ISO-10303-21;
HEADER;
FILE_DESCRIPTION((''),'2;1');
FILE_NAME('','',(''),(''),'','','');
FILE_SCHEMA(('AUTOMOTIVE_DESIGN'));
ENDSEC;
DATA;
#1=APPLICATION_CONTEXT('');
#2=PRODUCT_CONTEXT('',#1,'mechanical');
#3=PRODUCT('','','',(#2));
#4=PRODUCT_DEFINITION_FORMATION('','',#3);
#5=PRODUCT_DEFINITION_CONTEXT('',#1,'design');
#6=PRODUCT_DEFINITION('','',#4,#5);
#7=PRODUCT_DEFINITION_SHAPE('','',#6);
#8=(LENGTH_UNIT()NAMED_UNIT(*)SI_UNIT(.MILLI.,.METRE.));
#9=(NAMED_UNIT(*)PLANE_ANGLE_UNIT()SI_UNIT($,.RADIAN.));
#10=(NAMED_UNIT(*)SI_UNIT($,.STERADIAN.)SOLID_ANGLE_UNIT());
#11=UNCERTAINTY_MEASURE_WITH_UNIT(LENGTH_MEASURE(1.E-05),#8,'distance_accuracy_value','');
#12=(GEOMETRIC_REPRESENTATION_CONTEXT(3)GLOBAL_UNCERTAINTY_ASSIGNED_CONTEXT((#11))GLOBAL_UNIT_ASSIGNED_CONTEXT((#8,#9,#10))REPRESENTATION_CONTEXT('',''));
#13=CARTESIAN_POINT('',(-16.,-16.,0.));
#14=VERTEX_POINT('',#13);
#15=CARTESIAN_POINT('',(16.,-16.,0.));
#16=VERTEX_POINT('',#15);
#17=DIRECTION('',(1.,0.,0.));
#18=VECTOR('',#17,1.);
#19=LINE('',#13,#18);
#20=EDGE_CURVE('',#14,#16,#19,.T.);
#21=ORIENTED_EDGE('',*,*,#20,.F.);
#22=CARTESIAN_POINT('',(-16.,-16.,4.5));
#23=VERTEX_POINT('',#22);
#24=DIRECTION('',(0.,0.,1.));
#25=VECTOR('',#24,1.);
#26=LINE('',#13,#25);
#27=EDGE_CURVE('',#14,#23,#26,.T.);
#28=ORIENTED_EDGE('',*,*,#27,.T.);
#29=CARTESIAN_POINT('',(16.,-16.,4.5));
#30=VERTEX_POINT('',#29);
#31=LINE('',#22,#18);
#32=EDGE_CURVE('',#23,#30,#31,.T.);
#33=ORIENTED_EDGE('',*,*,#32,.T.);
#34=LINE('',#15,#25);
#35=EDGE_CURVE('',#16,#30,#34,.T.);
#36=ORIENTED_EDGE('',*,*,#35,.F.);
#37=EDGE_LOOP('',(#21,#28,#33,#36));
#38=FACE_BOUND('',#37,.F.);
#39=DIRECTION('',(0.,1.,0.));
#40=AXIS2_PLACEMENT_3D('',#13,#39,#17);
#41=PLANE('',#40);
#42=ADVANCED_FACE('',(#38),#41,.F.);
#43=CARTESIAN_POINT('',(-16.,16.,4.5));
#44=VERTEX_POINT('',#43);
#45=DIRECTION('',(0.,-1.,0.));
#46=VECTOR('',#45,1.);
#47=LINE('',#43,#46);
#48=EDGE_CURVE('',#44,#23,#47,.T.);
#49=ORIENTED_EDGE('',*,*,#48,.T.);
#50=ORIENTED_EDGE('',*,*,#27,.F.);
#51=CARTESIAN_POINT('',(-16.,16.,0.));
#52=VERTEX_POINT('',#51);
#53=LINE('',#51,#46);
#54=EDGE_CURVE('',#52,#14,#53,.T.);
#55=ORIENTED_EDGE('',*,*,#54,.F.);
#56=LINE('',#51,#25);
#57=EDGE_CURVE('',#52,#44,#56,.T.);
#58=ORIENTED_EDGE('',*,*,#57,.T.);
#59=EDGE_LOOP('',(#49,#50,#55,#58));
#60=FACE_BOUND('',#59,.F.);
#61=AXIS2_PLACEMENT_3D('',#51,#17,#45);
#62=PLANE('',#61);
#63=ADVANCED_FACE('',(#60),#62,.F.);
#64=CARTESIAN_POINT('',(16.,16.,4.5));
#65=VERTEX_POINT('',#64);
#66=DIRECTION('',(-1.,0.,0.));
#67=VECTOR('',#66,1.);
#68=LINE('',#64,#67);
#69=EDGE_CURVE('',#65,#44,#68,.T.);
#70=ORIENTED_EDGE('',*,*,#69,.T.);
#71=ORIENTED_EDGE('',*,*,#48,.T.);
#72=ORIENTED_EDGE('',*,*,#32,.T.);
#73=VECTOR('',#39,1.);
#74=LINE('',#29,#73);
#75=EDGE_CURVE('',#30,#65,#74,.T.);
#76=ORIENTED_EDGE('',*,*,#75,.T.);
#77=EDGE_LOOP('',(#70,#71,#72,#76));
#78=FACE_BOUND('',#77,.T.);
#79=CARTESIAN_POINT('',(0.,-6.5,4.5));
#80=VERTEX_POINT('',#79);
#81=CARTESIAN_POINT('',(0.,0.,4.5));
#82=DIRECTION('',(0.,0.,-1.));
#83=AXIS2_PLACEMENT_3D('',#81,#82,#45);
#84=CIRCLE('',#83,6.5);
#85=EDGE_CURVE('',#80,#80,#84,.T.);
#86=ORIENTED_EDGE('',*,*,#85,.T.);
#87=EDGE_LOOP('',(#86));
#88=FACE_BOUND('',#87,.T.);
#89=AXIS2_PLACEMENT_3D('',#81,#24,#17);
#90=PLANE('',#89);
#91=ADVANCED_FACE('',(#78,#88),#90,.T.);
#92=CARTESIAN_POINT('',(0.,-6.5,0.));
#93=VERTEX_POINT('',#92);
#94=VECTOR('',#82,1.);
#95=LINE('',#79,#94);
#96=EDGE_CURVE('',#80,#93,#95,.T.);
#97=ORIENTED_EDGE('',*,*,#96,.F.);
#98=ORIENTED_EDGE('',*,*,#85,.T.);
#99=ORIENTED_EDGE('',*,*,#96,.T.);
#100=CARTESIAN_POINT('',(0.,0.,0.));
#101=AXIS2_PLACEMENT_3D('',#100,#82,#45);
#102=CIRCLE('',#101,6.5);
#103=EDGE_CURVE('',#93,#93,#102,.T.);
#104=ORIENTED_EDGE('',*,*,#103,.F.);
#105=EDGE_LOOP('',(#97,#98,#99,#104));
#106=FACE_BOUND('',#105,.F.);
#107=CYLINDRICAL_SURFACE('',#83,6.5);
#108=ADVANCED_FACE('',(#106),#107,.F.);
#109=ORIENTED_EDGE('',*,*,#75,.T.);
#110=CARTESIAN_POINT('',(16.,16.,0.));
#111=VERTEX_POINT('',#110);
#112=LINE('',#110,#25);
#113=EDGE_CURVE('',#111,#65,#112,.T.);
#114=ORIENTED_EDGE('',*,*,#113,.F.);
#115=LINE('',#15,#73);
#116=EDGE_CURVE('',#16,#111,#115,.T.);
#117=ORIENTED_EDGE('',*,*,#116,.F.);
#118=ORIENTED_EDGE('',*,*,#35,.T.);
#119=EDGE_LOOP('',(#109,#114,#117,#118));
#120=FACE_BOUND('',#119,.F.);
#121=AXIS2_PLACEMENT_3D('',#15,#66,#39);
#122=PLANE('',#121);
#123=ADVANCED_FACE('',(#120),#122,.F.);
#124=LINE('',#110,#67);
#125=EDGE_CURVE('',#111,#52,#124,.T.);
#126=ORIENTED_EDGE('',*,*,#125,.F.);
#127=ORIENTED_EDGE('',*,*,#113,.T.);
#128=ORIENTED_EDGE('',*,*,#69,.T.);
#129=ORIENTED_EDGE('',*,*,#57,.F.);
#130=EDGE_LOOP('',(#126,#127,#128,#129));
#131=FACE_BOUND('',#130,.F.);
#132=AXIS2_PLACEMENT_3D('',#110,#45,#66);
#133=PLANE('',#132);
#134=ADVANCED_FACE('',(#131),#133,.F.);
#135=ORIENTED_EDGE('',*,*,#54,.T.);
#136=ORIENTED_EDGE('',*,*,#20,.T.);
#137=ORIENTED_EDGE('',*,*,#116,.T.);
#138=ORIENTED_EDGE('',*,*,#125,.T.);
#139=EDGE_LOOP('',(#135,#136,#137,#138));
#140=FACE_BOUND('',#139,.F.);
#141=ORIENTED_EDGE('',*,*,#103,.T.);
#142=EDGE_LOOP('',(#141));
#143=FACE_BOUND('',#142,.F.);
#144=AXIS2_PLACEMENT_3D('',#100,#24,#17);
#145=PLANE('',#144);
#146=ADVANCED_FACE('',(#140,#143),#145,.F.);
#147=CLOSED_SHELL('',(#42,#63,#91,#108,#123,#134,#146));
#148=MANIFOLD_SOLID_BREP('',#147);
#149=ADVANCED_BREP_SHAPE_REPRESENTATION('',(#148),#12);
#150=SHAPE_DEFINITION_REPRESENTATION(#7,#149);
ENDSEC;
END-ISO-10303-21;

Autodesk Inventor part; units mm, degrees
ref_plane "YZ Plane" through (0, 0, 0) normal (1, 0, 0) x (0, 1, 0)
ref_plane "XZ Plane" through (0, 0, 0) normal (0, 1, 0) x (-1, 0, 0)
ref_plane "XY Plane" through (0, 0, 0) normal (0, 0, 1) x (1, 0, 0)
sketch "スケッチ1" plane through (0, 0, 0) normal (0, 0, 1) x (1, 0, 0)
  line L0 (-16, -16) -> (16, -16)
  line L1 (16, -16) -> (16, 16)
  line L2 (16, 16) -> (-16, 16)
  line L3 (-16, 16) -> (-16, -16)
  line L4 (-16, -16) -> (16, 16) construction
  line L5 (16, -16) -> (-16, 16) construction
  point P0 (0, 0)
  dimension "d0" = 32
  dimension "d1" = 32
extrude "押し出し1" add sketch "スケッチ1" along normal blind 4.5
sketch "スケッチ2" plane through (0, 0, 4.5) normal (0, 0, 1) x (1, 0, 0)
  point P0 (0, 0)
  point P1 (0, 0)
hole "穴1" at (0, 0, 4.5) direction (0, 0, -1) diameter 13 end through all
properties part number "PipeB蓋"
